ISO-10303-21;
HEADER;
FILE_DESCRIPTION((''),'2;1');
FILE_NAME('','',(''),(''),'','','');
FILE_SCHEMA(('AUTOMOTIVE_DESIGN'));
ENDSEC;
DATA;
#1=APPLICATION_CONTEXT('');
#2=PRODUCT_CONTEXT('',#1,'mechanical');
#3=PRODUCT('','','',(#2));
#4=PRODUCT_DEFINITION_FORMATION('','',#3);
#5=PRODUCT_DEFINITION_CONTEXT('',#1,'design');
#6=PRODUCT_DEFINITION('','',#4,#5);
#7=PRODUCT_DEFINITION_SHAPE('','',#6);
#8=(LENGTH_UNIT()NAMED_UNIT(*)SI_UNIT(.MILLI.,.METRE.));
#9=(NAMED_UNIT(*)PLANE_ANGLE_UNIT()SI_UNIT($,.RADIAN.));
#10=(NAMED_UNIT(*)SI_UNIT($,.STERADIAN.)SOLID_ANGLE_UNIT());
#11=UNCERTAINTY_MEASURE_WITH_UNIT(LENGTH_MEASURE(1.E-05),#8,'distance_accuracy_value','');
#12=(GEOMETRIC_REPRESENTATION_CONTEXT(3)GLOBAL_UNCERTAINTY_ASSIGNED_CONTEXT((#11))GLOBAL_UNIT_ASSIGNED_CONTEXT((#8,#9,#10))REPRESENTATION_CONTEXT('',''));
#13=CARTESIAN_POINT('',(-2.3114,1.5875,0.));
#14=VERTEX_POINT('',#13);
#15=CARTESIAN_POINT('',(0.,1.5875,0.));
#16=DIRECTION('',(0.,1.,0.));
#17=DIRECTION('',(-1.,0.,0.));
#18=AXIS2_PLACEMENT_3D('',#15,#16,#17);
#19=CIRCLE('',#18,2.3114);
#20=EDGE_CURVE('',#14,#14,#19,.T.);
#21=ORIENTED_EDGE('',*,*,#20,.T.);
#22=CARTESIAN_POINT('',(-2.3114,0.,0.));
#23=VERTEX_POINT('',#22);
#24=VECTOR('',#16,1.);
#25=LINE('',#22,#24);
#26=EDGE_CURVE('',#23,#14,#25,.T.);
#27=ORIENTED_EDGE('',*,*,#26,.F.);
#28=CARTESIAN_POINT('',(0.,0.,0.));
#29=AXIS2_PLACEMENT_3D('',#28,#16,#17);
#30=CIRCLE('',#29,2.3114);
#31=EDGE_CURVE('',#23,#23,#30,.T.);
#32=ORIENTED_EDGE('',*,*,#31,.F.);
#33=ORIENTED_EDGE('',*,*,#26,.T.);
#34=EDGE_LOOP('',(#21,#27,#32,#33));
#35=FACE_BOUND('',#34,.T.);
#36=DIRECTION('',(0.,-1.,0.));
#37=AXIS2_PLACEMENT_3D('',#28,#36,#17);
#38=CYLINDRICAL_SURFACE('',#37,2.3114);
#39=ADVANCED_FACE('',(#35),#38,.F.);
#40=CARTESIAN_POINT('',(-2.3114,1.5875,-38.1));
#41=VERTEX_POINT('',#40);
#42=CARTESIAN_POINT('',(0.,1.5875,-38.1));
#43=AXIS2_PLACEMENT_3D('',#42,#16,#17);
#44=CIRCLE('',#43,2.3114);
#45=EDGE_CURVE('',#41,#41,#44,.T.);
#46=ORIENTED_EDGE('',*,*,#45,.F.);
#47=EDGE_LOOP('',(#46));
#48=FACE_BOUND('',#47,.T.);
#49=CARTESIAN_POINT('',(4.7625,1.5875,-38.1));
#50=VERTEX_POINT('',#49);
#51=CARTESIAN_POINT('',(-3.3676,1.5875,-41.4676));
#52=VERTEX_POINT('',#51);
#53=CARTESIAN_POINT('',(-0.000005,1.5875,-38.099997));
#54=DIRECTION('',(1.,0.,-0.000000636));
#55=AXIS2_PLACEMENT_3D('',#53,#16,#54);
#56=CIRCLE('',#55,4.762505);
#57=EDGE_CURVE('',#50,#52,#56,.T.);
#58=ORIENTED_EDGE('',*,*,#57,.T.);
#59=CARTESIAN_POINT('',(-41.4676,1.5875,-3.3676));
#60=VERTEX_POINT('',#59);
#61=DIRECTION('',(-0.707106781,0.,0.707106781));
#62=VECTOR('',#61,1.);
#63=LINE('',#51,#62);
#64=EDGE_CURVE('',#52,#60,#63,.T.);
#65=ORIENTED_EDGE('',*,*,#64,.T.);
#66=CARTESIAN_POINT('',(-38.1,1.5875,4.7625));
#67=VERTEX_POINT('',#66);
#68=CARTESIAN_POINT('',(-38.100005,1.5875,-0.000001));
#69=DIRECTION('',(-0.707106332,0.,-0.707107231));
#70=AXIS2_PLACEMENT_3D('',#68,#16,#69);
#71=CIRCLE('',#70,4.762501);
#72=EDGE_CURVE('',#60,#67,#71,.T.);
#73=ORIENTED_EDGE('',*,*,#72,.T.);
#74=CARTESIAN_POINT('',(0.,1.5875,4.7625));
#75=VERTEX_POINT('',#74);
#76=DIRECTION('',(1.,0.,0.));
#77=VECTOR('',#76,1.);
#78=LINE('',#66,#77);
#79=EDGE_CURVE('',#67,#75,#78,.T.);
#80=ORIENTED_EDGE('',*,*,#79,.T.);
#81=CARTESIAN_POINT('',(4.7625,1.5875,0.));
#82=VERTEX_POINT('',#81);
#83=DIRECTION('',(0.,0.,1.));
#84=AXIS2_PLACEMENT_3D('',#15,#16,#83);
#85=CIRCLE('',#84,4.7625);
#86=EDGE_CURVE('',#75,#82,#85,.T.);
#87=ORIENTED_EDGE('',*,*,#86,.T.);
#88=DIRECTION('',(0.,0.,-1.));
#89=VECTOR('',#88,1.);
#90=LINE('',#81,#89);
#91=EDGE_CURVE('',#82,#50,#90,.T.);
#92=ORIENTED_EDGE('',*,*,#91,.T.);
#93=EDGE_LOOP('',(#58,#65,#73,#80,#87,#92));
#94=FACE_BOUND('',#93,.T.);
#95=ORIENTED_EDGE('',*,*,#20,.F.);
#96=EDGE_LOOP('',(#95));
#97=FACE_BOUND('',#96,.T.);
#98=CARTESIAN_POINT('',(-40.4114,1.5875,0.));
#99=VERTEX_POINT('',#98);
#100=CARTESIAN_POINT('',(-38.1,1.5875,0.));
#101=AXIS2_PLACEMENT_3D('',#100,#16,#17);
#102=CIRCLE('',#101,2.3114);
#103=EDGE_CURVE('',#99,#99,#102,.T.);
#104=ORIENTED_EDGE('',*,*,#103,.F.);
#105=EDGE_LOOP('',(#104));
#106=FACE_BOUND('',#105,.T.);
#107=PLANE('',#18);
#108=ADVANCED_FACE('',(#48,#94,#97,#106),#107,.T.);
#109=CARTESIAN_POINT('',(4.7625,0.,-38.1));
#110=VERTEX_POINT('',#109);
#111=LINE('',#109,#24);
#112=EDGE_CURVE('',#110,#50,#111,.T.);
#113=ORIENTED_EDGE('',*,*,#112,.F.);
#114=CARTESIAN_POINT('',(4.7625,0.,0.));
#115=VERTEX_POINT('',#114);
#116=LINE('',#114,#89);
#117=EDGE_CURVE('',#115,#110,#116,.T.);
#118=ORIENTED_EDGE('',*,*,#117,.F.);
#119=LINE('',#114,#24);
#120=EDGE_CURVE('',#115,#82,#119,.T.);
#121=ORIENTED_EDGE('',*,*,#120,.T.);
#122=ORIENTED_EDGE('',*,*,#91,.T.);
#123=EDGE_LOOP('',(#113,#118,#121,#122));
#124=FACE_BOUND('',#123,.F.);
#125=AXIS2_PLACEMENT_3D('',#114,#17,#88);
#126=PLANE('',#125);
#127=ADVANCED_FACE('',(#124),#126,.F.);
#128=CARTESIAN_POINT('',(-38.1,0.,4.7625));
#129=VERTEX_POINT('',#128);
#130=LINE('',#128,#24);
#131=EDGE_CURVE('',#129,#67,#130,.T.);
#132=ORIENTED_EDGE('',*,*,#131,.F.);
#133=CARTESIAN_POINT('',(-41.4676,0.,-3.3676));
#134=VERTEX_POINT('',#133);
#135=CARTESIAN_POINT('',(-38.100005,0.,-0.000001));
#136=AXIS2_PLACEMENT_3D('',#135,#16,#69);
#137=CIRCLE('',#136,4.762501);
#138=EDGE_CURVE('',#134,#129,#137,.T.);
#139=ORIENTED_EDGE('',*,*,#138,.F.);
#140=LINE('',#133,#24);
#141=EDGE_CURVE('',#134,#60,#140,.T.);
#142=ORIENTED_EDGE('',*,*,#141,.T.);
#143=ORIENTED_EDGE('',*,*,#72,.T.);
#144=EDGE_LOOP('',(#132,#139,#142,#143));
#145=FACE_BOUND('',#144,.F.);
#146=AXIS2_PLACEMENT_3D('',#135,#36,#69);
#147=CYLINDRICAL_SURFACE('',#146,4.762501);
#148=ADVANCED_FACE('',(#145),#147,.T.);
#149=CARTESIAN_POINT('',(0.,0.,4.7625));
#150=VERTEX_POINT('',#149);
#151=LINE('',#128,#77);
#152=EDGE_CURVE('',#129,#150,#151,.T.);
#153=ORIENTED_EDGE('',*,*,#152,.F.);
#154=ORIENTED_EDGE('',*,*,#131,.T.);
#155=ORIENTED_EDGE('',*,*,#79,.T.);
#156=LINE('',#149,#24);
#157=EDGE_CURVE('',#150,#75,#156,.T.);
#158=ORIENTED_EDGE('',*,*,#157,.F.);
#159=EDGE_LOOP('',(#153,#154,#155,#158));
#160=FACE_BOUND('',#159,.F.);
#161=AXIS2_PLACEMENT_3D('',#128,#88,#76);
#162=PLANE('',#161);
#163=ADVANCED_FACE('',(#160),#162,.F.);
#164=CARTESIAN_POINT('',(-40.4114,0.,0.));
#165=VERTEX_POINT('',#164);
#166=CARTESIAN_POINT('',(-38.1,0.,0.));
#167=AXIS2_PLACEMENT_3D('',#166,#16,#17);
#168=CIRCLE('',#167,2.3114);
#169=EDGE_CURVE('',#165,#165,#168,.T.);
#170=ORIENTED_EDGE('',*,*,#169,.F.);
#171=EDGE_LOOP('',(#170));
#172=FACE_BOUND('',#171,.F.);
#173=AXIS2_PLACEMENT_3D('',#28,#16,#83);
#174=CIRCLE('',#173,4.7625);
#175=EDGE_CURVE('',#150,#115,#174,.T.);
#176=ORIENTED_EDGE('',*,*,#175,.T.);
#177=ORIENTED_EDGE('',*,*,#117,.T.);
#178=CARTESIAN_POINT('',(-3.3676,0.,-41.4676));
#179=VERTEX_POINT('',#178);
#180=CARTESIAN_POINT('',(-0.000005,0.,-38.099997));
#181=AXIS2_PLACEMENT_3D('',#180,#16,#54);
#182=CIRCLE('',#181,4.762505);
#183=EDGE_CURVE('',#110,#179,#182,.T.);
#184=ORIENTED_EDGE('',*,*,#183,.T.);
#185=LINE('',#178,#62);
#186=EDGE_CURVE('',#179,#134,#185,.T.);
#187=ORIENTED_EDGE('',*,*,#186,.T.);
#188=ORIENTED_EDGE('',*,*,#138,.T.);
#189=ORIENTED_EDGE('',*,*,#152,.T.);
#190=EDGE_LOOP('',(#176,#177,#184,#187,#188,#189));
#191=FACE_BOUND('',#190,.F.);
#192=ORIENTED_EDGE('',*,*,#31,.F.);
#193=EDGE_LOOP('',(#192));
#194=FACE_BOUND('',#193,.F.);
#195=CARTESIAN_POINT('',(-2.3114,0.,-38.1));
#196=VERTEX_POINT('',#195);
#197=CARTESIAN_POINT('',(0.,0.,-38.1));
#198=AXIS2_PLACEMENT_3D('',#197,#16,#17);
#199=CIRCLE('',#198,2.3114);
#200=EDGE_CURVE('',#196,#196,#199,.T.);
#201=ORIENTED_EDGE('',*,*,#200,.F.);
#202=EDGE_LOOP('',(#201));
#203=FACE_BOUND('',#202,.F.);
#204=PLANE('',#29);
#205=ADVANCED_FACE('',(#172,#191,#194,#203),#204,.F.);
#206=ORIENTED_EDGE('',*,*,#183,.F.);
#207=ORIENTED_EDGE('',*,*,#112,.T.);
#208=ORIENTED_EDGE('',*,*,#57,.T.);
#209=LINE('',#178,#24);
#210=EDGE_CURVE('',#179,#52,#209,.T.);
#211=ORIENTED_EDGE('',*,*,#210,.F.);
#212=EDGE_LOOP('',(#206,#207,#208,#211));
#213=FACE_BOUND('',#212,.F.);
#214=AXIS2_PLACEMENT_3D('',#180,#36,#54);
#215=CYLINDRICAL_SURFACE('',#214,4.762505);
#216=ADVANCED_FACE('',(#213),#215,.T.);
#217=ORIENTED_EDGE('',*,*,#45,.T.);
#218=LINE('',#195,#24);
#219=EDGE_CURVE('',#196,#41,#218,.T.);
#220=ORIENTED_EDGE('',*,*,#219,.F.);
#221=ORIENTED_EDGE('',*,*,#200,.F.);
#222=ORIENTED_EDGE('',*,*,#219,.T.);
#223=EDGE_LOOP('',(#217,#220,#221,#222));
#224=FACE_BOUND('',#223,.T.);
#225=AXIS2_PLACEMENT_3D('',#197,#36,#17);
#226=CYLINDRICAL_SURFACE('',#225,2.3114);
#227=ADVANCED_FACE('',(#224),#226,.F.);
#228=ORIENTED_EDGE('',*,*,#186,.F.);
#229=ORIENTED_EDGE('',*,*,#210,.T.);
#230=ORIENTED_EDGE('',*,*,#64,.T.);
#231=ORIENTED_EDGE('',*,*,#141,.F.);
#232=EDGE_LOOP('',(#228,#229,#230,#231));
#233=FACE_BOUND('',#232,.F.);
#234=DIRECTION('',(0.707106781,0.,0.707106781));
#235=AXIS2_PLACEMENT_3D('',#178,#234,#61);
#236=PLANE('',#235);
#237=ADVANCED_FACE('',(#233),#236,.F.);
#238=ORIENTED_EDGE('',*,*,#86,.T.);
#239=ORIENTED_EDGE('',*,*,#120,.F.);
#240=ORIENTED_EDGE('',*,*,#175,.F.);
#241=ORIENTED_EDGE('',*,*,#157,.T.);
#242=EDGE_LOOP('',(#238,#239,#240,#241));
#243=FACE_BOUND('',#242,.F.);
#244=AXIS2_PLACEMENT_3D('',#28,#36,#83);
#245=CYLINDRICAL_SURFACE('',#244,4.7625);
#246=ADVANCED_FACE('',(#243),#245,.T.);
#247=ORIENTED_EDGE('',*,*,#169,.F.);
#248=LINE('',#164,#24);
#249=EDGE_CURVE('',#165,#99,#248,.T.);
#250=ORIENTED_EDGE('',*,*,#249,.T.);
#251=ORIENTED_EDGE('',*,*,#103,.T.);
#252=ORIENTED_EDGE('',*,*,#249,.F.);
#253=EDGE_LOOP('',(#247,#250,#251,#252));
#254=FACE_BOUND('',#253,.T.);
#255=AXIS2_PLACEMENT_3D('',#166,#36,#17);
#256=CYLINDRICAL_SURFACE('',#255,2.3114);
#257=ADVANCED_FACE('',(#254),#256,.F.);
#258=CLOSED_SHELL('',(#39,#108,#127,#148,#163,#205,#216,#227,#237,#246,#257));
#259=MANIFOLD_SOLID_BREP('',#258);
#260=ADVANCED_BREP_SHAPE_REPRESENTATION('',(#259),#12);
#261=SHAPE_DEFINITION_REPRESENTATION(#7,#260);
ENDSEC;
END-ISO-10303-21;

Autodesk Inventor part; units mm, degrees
ref_plane "YZ Plane" through (0, 0, 0) normal (1, 0, 0) x (0, 1, 0)
ref_plane "XZ Plane" through (0, 0, 0) normal (0, 1, 0) x (-1, 0, 0)
ref_plane "XY Plane" through (0, 0, 0) normal (0, 0, 1) x (1, 0, 0)
sketch "Sketch1" plane through (0, 0, 0) normal (0, 1, 0) x (-1, 0, 0)
  circle A0 centre (0, 0) radius 2.3114
  circle A1 centre (38.1, 0) radius 2.3114
  circle A2 centre (0, -38.1) radius 2.3114
  arc A3 (0, 4.7625) -> (-4.7625, 0) centre (0, 0) ccw
  arc A4 (41.4676, -3.3676) -> (38.1, 4.7625) centre (38.1, 0) ccw
  arc A5 (-4.7625, -38.1) -> (3.3676, -41.4676) centre (0, -38.1) ccw
  line L0 (38.1, 4.7625) -> (0, 4.7625)
  line L1 (-4.7625, 0) -> (-4.7625, -38.1)
  line L2 (3.3676, -41.4676) -> (41.4676, -3.3676)
  dimension "d0" = 4.6228
  dimension "d1" = 4.6228
  dimension "d2" = 4.6228
  dimension "d3" = 9.525
  dimension "d4" = 9.525
  dimension "d5" = 9.525
extrude "Extrusion1" add sketch "Sketch1" along normal blind 1.5875
properties part number "Triangle Gusset" material "Acetal Resin, White"
